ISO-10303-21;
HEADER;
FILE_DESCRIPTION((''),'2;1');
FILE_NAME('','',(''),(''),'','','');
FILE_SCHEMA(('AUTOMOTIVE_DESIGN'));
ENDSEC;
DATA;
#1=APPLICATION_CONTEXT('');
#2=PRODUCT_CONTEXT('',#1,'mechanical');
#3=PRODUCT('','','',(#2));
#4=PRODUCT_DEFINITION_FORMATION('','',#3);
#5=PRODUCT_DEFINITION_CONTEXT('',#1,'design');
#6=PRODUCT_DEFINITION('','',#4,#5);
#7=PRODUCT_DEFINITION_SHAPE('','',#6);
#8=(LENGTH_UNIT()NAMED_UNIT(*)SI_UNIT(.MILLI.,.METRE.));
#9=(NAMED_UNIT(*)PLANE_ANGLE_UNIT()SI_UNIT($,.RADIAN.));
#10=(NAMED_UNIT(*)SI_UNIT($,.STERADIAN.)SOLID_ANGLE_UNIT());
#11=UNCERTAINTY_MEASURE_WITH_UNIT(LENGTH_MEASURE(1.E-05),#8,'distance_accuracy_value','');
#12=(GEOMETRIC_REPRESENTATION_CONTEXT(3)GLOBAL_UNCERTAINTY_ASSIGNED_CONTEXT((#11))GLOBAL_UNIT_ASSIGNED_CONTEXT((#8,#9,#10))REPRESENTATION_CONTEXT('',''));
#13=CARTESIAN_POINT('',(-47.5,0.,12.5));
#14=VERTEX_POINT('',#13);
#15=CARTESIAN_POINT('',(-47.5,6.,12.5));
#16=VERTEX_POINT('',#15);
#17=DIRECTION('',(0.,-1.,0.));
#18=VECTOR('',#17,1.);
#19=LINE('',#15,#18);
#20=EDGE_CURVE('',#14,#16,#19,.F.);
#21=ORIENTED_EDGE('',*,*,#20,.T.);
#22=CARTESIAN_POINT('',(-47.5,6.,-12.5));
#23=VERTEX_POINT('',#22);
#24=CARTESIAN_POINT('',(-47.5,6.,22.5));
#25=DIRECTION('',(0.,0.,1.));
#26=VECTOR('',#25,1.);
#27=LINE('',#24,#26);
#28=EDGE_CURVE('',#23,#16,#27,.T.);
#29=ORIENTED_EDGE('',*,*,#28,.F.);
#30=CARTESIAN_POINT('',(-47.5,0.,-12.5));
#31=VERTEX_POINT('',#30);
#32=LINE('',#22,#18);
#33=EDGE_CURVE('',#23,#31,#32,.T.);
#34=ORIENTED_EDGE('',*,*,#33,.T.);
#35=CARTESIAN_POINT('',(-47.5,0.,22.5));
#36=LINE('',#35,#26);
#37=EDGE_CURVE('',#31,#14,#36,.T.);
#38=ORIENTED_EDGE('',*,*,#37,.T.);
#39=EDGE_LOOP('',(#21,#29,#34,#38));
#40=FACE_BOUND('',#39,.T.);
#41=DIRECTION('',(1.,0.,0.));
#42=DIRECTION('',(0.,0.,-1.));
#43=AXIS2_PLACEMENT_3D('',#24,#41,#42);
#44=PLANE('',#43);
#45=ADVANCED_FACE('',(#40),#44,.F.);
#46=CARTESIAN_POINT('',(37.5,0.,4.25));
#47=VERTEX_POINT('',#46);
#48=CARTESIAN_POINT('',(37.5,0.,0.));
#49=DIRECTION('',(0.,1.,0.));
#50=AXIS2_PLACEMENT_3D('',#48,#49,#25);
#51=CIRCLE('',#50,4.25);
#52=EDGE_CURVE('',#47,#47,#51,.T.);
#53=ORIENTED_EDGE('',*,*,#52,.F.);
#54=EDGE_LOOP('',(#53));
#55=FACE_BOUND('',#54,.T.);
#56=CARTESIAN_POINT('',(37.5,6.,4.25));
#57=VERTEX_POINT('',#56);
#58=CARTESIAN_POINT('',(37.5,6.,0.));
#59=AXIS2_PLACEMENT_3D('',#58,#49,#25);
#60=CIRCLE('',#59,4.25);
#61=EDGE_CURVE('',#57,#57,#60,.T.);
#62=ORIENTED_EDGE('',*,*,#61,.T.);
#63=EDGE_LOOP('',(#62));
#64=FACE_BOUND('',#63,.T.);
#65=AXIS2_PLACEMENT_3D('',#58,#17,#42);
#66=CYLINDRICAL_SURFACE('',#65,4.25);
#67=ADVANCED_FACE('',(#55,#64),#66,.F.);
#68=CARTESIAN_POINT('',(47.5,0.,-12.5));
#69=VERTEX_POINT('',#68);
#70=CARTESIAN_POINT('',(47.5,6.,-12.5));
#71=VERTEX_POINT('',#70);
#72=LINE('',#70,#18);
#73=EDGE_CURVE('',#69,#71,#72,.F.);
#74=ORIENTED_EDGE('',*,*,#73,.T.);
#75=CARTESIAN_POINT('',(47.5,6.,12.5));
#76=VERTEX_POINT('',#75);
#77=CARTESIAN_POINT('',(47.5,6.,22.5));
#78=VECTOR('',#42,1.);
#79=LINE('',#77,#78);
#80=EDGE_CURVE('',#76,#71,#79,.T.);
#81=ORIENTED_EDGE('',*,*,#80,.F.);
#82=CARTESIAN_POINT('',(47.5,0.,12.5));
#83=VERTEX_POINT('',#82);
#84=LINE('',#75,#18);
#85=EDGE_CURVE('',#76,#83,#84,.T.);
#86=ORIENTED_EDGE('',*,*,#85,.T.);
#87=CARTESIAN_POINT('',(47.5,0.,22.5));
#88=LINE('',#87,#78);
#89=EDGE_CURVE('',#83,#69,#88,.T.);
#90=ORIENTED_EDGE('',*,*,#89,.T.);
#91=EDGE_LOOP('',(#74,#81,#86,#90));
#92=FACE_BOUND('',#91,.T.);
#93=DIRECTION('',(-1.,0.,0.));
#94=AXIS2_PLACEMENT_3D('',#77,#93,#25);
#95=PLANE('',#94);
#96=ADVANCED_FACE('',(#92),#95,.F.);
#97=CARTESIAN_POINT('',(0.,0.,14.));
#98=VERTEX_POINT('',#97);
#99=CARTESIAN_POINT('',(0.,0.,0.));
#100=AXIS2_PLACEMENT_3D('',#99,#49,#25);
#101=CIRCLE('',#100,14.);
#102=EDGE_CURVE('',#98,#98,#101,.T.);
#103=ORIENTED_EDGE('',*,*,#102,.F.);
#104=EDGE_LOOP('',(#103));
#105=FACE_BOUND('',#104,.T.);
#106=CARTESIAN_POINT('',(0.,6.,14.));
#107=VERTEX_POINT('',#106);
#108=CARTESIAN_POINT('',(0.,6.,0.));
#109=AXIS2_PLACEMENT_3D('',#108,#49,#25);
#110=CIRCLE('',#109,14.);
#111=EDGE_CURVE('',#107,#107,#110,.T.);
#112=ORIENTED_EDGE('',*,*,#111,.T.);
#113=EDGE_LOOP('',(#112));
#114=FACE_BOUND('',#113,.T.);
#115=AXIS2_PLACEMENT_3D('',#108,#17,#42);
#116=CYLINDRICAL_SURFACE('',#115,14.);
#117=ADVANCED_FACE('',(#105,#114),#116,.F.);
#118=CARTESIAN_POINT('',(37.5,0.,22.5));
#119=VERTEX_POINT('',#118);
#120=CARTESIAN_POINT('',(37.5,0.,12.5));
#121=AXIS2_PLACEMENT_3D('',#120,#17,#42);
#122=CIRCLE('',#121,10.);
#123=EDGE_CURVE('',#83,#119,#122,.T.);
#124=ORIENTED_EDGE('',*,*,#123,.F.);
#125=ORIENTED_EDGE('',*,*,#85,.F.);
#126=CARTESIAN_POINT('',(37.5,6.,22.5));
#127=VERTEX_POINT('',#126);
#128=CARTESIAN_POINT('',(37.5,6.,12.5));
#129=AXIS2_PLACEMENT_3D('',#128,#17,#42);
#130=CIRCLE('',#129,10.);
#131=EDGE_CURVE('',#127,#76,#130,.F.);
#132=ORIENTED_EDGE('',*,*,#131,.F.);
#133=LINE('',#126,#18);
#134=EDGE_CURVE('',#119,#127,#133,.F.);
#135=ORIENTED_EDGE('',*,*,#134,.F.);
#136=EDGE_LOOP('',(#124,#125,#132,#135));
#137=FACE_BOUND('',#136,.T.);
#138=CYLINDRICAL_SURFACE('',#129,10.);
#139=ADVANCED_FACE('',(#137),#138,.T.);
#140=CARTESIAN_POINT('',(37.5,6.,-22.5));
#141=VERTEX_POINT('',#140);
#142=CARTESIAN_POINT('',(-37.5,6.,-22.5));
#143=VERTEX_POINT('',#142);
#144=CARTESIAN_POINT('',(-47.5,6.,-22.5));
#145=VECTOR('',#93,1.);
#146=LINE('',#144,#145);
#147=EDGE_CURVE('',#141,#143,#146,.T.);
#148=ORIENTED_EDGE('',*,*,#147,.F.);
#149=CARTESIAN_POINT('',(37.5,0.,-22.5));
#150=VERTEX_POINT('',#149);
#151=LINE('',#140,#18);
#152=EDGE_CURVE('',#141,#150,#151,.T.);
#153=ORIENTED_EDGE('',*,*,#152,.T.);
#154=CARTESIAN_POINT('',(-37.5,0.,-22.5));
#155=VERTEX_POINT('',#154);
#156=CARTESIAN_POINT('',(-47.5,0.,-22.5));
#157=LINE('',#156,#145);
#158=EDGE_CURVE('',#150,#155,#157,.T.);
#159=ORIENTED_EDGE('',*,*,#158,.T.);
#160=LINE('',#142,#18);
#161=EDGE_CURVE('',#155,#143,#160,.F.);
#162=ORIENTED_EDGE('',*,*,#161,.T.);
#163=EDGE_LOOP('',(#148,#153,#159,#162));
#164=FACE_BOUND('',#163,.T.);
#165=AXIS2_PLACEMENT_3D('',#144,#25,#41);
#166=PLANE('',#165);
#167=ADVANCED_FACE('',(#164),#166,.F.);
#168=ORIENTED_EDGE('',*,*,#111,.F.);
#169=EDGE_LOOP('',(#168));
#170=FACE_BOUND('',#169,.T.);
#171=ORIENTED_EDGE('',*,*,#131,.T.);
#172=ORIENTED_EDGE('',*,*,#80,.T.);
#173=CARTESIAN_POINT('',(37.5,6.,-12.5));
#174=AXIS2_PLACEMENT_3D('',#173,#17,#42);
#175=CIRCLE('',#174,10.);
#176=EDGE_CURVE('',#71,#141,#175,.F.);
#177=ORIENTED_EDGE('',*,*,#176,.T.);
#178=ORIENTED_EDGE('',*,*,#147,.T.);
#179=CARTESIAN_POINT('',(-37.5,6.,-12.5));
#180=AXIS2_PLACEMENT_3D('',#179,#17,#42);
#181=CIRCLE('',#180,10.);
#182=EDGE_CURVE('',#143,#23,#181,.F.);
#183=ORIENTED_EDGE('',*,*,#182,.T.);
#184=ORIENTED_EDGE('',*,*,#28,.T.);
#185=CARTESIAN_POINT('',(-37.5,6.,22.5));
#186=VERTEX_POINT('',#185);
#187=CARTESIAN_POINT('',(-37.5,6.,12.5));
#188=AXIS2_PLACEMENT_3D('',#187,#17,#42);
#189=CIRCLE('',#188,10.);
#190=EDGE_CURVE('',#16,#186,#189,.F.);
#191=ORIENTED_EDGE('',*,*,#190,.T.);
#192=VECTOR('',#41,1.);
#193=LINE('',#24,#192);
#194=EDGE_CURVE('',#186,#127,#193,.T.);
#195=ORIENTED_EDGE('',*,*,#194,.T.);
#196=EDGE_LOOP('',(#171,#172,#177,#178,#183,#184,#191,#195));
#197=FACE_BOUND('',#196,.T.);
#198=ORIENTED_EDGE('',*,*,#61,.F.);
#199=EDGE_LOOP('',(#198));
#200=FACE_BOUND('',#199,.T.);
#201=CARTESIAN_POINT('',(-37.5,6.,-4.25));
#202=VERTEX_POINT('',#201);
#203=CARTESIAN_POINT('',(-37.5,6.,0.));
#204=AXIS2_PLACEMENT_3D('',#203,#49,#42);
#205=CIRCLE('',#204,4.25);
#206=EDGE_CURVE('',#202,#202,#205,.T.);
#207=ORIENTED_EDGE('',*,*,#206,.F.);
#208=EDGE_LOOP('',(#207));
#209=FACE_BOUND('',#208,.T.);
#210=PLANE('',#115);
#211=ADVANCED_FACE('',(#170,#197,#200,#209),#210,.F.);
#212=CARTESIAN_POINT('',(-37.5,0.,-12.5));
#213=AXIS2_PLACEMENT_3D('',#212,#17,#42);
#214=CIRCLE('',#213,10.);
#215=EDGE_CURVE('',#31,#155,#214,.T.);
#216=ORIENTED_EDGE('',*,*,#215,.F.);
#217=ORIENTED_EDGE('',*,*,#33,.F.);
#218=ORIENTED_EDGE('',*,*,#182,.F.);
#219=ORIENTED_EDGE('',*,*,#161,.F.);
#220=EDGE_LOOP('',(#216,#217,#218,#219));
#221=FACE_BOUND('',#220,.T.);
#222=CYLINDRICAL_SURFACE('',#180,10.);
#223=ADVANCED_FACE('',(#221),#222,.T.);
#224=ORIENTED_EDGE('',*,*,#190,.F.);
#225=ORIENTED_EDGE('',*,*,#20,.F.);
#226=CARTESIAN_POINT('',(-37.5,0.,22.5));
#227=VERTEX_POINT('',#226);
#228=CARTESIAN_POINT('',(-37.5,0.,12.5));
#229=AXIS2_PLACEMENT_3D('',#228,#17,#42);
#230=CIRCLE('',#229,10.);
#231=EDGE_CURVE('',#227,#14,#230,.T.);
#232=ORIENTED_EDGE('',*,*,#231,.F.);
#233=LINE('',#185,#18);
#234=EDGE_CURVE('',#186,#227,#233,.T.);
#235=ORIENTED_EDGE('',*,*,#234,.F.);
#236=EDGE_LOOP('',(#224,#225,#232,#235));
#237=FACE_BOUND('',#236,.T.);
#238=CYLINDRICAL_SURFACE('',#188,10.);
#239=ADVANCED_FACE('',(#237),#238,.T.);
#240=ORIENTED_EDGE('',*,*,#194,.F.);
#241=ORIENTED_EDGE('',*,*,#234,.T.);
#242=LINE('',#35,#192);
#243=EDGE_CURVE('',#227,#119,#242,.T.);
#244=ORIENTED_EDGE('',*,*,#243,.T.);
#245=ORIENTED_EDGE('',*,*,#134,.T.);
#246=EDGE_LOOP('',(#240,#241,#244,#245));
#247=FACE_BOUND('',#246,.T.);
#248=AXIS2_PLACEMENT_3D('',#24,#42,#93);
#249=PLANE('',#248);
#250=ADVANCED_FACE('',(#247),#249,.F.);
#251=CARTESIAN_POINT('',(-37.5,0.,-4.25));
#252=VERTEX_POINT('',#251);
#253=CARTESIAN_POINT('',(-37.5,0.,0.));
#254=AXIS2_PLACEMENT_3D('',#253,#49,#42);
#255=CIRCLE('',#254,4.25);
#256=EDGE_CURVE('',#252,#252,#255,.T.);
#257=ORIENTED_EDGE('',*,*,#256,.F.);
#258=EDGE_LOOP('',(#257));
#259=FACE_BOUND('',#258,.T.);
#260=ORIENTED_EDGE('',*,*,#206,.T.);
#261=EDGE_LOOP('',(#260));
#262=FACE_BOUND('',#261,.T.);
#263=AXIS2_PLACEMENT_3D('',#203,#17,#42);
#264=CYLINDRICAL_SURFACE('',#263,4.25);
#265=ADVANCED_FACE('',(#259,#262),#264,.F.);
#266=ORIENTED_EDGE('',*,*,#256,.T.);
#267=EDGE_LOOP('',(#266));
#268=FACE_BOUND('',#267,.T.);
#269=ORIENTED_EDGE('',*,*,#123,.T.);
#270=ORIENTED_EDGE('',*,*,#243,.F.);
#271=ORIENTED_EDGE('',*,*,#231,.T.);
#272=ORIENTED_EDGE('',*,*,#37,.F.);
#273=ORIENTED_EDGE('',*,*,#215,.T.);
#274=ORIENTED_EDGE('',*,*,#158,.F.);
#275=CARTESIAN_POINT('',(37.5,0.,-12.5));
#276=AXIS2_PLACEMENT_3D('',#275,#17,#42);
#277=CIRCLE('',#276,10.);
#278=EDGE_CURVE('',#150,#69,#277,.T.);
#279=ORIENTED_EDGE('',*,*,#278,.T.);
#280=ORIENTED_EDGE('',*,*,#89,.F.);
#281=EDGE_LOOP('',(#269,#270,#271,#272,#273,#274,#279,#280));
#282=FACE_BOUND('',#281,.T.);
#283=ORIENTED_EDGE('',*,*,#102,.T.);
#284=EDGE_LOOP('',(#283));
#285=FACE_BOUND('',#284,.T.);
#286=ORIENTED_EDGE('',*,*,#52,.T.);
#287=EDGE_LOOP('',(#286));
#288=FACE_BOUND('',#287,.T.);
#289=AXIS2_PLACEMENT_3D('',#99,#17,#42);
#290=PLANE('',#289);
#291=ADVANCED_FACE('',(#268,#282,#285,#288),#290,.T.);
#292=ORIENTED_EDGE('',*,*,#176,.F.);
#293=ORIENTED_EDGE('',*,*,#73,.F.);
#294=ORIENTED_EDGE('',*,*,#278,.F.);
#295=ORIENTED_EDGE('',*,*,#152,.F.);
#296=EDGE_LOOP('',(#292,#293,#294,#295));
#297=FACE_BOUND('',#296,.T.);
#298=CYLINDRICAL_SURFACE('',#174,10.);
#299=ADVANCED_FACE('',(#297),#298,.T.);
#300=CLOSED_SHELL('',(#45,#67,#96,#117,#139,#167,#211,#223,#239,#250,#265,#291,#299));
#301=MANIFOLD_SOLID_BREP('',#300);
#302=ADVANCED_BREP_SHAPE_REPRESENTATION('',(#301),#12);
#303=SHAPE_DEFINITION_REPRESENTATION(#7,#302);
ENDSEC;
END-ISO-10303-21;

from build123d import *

# Parameters (mm, degrees)
SKETCH1_W           = 95
SKETCH1_H           = 45
SKETCH1_R           = 14
SKETCH1_R_2         = 4.25
BOSS_EXTRUDE1_DEPTH = 6
FILLET1_R           = 10


with BuildPart() as part:
    # Sketch1 → Boss-Extrude1 (new body)
    with BuildSketch(Plane(origin=(0, 0, 0), x_dir=(1, 0, 0), z_dir=(0, 1, 0))):
        Rectangle(SKETCH1_W, SKETCH1_H)
        with Locations(Location((0, 0, 0), (0, 0, 270))):
            Circle(SKETCH1_R, mode=Mode.SUBTRACT)
        with Locations(Location((37.5, 0, 0), (0, 0, 270))):
            Circle(SKETCH1_R_2, mode=Mode.SUBTRACT)
        with Locations(Location((-37.5, 0, 0), (0, 0, 90))):
            Circle(SKETCH1_R_2, mode=Mode.SUBTRACT)
    extrude(amount=BOSS_EXTRUDE1_DEPTH)

    # Fillet1
    fillet1_edges = [part.edges().sort_by_distance(p)[0] for p in [
        (47.5, 3, 22.5),
        (-47.5, 3, 22.5),
        (-47.5, 3, -22.5),
        (47.5, 3, -22.5),
    ]]
    fillet(fillet1_edges, radius=FILLET1_R)


solid = part.part
